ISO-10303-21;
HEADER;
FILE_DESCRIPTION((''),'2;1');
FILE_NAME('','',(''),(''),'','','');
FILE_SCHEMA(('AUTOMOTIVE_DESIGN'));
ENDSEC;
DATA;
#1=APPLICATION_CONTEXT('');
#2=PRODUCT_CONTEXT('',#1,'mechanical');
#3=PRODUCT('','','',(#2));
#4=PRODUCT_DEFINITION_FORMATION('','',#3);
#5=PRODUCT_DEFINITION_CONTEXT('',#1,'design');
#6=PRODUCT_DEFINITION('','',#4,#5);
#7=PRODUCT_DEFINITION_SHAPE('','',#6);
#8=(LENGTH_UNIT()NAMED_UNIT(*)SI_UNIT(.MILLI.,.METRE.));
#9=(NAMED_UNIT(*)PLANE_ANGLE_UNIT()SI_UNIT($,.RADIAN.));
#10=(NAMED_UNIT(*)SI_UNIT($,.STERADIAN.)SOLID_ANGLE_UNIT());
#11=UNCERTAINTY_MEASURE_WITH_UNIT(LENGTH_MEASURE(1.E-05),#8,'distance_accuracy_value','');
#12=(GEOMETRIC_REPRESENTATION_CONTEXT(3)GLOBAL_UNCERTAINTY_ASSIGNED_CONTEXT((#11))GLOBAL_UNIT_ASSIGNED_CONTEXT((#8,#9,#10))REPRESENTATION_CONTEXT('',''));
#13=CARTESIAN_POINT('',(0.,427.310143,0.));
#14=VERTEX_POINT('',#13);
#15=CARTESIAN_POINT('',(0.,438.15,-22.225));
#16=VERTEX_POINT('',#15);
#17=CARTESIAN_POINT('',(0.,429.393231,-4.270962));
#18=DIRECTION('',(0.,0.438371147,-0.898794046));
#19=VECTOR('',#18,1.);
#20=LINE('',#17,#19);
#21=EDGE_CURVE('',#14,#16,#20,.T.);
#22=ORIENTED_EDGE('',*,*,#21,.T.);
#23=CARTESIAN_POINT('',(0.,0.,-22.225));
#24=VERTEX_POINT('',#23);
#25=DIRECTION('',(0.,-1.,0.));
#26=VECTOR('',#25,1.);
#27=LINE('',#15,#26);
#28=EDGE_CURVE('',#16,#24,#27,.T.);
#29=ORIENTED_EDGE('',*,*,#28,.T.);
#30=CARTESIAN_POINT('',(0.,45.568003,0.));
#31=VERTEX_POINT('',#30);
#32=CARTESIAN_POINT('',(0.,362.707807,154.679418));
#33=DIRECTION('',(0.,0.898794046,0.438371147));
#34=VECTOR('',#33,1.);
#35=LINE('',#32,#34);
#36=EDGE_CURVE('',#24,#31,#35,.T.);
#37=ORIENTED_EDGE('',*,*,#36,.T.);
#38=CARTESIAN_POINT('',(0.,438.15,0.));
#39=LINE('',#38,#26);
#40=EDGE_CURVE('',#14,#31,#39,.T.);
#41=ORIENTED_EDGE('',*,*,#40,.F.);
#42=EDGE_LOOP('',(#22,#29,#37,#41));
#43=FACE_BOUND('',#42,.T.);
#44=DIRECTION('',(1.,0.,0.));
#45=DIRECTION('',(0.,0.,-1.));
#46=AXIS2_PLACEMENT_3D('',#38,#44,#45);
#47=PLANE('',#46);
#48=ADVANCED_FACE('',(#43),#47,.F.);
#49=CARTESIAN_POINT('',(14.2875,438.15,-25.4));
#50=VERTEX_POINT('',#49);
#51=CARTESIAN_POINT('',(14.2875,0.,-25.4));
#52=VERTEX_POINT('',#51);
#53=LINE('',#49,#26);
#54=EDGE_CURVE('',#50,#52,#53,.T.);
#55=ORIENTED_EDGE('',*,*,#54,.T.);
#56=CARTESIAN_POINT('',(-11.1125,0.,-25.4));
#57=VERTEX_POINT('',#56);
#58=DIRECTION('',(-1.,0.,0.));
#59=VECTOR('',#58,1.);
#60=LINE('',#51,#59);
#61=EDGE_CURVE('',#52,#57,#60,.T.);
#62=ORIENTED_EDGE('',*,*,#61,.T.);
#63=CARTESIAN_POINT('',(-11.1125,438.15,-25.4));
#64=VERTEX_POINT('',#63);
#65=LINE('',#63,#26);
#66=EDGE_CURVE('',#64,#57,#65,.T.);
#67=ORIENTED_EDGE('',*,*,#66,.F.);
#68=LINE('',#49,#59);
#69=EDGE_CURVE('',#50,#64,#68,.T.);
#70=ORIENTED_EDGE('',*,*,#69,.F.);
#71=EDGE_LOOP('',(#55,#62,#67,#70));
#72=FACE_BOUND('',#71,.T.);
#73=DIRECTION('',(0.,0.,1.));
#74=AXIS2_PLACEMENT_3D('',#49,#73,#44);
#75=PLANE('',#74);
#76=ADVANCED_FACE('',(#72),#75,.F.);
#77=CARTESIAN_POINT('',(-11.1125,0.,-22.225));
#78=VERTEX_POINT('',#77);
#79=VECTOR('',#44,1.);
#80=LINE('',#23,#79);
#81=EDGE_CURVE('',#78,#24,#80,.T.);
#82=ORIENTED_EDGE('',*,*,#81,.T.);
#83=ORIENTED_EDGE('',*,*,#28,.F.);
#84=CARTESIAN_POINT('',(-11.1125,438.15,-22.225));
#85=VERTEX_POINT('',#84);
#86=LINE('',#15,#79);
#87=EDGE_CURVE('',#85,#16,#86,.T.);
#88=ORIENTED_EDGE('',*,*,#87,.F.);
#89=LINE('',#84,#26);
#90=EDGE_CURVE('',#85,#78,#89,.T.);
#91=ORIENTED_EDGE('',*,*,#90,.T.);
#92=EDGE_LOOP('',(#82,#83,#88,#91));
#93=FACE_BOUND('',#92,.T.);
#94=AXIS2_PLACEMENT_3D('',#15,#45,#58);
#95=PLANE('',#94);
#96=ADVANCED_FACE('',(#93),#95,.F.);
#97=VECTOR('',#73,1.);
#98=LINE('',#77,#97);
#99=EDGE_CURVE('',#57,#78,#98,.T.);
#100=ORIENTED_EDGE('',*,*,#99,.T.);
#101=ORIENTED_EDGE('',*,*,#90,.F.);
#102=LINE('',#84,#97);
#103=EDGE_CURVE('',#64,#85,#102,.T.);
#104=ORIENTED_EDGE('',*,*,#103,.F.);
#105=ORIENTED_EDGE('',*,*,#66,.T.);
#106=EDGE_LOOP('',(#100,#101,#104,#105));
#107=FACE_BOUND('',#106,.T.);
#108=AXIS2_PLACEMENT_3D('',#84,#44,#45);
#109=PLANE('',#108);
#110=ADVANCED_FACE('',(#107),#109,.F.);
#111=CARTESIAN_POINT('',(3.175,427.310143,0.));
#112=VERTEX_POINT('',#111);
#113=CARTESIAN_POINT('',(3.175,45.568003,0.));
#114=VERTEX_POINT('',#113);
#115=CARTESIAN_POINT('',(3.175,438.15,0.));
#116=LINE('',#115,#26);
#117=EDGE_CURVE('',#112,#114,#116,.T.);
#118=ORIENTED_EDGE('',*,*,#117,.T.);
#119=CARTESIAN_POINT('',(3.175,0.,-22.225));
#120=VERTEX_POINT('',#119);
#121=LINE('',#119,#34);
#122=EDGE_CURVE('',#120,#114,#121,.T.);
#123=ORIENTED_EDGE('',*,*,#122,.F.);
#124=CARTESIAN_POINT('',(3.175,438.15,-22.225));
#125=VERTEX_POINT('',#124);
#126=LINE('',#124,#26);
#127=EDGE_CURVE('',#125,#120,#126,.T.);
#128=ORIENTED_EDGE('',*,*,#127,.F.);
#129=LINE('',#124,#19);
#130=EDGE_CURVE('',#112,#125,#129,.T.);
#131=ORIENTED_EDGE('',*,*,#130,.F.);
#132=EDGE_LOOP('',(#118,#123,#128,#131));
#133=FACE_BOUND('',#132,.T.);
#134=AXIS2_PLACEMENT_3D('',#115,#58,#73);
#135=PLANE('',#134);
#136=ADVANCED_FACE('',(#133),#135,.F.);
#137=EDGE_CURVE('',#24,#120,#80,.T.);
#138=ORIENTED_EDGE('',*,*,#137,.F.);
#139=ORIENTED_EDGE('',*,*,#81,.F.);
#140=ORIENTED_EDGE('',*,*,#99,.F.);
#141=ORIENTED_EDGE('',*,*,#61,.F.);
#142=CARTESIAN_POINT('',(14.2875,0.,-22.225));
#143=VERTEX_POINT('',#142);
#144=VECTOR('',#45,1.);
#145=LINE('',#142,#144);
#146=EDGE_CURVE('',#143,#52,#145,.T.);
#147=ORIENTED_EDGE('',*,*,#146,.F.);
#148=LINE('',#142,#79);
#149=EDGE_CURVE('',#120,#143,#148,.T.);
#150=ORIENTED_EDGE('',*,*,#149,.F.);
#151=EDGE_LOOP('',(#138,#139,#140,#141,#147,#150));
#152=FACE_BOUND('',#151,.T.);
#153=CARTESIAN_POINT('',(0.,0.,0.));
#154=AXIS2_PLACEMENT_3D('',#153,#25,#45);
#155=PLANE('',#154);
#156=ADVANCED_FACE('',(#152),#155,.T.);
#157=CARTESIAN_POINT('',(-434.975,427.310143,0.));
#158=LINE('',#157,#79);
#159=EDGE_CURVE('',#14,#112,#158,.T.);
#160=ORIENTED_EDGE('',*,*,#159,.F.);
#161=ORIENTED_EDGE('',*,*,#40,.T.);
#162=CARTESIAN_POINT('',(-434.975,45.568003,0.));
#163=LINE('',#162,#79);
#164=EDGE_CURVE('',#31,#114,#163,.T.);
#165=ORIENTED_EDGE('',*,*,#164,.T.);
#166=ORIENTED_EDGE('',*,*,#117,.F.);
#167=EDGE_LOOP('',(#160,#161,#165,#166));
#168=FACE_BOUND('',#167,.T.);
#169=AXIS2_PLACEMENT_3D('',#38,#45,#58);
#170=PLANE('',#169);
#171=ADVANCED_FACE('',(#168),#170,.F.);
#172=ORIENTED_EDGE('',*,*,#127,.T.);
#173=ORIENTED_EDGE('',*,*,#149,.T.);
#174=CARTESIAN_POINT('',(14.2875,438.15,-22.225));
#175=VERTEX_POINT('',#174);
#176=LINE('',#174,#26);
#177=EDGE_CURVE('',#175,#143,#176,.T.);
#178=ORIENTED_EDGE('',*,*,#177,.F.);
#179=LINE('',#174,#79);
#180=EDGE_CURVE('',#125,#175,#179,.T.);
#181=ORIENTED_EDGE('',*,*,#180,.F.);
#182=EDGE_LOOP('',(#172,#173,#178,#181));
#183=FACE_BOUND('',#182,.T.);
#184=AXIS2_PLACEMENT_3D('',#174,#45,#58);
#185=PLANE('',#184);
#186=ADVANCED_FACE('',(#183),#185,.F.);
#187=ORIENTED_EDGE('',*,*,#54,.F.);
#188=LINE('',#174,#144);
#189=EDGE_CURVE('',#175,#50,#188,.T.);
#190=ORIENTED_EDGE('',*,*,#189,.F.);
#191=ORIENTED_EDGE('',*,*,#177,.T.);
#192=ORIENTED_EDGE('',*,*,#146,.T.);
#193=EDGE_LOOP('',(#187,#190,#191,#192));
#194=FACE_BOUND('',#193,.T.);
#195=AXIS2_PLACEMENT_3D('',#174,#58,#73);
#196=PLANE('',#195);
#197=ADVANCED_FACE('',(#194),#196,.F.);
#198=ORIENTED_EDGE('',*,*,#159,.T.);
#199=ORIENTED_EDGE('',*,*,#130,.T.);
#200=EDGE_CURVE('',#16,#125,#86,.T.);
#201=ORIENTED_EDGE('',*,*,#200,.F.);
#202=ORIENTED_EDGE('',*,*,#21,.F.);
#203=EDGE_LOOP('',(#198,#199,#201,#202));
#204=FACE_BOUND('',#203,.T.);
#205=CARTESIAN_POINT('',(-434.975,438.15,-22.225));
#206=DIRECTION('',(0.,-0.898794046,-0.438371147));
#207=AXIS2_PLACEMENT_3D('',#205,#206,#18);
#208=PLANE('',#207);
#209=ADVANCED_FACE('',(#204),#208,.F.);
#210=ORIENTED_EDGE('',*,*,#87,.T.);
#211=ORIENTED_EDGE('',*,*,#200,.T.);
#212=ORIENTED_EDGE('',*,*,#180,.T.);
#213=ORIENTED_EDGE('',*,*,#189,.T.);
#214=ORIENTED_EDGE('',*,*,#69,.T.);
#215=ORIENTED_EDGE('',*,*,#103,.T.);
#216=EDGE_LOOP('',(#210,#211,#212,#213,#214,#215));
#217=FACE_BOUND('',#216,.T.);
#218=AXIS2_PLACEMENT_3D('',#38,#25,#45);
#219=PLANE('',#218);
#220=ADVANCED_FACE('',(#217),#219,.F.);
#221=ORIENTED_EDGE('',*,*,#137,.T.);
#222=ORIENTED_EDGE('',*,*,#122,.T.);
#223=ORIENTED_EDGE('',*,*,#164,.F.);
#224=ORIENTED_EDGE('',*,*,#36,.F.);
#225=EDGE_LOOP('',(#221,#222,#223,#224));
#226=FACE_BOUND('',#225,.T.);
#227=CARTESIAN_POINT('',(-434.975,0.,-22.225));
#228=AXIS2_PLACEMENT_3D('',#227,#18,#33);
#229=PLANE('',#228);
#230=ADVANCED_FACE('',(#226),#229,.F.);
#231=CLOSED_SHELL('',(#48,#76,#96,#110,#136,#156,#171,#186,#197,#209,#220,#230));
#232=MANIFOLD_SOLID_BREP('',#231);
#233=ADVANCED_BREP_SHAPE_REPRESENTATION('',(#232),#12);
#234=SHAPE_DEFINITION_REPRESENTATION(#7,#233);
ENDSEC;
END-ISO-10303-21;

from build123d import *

# Parameters (mm, degrees)
BOSS_EXTRUDE1_DEPTH = 438.15
CUT_EXTRUDE1_DEPTH  = 438.15


with BuildPart() as part:
    # Sketch2 → Boss-Extrude1 (new body)
    with BuildSketch(Plane(origin=(0, 0, 0), x_dir=(1, 0, 0), z_dir=(0, 1, 0))):
        Polygon((0, 0), (3.175, 0), (3.175, 22.225), (14.2875, 22.225), (14.2875, 25.4), (-11.1125, 25.4), (-11.1125, 22.225), (0, 22.225), align=None)
    extrude(amount=BOSS_EXTRUDE1_DEPTH)

    # Sketch4 → Cut-Extrude1 (cut)
    with BuildSketch(Plane(origin=(3.175, 0, 0), x_dir=(0, 0, -1), z_dir=(1, 0, 0))):
        Polygon((22.225, 0), (0, 45.568002879), (0, 0), align=None)
        Polygon((22.225, 438.15), (0, 427.310143219), (0, 438.15), align=None)
    extrude(amount=-CUT_EXTRUDE1_DEPTH, mode=Mode.SUBTRACT)


solid = part.part
